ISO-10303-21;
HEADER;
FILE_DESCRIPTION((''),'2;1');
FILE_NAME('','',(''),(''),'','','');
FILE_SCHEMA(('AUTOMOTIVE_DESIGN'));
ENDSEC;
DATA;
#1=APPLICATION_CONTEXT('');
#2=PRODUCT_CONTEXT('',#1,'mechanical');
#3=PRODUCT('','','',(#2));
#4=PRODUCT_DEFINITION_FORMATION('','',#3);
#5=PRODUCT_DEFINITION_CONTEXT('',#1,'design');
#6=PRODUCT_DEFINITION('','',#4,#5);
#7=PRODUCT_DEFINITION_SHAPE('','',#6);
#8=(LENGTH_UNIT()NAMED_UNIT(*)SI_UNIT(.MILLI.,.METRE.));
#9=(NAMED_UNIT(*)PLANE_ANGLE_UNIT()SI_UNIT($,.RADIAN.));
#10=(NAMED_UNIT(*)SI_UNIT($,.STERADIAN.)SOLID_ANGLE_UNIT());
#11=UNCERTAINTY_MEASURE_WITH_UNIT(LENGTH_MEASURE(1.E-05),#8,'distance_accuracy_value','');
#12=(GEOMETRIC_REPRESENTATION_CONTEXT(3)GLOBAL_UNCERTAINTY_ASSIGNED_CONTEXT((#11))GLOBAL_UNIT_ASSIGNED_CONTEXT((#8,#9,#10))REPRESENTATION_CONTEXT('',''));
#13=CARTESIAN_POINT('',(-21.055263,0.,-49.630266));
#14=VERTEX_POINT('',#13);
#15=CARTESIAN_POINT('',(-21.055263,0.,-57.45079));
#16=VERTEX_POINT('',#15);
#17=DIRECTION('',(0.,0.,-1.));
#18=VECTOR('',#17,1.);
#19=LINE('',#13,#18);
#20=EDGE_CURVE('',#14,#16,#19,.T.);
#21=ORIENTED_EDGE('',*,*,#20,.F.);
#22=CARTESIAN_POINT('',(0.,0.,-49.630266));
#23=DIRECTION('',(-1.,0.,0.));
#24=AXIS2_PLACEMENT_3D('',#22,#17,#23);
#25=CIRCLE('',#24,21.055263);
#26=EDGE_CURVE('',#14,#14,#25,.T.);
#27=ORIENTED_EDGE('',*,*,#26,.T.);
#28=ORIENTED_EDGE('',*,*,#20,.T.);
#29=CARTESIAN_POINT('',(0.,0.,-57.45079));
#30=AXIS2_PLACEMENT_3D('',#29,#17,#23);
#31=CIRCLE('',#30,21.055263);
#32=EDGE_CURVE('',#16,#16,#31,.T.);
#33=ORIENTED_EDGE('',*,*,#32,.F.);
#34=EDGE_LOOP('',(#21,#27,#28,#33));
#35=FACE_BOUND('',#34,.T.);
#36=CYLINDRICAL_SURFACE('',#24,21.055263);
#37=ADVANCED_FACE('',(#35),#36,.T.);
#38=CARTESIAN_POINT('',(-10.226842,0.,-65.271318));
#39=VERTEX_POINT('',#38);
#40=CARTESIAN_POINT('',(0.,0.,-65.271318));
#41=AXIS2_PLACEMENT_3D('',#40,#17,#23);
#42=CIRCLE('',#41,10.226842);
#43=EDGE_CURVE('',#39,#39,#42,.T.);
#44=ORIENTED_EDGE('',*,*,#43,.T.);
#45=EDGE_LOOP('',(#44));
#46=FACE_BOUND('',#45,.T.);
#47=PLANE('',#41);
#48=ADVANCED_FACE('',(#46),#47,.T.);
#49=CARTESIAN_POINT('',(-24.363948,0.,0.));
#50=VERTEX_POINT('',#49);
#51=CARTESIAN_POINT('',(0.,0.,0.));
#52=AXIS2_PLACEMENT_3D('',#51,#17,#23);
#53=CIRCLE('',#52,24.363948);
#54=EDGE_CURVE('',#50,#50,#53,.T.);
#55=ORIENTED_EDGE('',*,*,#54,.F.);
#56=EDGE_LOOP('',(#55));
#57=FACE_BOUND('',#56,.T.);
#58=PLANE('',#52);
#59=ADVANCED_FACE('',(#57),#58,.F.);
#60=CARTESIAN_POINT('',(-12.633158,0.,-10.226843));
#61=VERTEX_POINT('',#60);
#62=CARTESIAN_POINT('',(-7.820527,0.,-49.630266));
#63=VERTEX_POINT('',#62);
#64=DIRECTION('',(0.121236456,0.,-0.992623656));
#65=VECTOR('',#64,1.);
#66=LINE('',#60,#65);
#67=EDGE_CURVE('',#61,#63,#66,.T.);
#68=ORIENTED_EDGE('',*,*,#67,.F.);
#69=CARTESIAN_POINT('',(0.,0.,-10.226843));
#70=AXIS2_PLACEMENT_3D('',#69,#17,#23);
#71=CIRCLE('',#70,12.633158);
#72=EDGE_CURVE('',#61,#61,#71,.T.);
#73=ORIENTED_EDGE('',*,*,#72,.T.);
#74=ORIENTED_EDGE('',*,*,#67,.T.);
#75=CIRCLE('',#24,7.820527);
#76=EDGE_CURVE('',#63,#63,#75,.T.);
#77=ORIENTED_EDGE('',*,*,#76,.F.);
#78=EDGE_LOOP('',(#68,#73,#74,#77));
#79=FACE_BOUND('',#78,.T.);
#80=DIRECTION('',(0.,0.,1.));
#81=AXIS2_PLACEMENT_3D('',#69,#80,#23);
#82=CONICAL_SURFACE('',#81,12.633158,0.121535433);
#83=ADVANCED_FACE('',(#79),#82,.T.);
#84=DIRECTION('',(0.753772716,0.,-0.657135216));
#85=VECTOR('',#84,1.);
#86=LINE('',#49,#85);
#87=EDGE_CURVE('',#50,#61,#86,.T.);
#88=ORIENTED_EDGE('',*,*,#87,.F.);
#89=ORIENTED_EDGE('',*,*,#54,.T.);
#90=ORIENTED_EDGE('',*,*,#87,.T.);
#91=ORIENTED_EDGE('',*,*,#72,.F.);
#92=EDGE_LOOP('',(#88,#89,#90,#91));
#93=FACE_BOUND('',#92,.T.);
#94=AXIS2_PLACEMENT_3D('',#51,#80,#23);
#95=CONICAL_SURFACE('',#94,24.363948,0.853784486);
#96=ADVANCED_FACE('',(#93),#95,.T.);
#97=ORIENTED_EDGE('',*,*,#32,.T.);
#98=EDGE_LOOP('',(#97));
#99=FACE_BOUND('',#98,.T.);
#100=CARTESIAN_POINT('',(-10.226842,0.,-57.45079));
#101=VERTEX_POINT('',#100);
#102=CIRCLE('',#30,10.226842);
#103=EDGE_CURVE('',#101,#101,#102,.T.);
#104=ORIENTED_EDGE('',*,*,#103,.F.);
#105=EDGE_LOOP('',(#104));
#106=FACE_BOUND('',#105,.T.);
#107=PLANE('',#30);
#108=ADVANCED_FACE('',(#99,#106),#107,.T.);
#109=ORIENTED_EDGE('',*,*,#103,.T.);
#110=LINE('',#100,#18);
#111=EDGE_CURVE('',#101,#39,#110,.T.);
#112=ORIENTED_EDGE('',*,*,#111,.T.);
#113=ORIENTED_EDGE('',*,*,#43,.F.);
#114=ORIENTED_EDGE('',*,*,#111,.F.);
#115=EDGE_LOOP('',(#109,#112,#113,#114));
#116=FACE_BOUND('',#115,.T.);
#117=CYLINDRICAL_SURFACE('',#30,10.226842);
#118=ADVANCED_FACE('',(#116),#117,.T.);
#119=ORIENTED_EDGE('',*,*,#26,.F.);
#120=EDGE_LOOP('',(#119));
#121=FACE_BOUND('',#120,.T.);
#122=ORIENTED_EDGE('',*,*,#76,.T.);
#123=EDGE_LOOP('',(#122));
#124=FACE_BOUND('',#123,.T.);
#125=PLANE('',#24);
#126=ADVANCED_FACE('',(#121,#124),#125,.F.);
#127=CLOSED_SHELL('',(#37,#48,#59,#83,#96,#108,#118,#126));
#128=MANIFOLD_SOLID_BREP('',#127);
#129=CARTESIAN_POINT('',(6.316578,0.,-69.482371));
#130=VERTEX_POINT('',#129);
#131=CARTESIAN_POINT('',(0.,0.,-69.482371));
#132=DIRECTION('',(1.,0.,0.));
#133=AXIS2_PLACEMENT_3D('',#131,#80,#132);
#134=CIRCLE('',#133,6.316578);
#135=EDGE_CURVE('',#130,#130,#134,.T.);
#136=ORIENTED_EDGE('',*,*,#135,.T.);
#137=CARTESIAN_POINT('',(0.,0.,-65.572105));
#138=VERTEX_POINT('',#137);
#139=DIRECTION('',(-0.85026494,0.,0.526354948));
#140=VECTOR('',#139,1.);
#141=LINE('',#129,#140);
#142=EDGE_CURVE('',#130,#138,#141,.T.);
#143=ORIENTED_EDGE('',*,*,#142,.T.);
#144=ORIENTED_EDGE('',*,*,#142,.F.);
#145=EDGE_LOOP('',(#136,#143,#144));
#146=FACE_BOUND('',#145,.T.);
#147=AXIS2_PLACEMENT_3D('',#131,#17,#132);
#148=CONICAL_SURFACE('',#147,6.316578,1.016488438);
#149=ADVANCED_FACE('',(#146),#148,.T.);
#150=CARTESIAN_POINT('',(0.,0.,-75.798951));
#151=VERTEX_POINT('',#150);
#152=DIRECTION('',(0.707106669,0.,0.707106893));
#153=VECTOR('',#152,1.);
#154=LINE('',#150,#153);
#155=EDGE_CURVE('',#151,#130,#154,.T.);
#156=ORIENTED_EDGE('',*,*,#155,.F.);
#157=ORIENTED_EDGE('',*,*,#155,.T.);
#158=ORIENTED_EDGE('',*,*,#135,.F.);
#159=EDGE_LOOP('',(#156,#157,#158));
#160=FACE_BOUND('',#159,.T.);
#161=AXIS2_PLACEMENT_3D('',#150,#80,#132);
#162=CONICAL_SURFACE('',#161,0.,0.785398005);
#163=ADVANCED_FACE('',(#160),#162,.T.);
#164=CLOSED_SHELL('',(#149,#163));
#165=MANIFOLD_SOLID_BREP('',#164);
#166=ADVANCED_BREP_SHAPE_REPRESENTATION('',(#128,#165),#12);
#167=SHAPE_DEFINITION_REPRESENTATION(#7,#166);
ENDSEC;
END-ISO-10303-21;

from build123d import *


with BuildPart() as f1:
    # F0 (on Front) → F1 (revolve)
    with BuildSketch(Plane.XZ):
        Polygon((0, -65.271318), (0, 0), (-24.363948, 0), (-12.633158, -10.226843), (-7.820527, -49.630266), (-21.055263, -49.630266), (-21.055263, -57.45079), (-10.226842, -57.45079), (-10.226842, -65.271318), align=None)
    revolve(axis=Axis((0, 0, -32.635659), (0, 0, -1)))


with BuildPart() as f3:
    # F2 (on Front) → F3 (revolve)
    with BuildSketch(Plane.XZ):
        Polygon((6.316578, -69.482371), (0, -65.572105), (0, -75.798951), align=None)
    revolve(axis=Axis((0, 0, -70.685528), (0, 0, 1)))


solid = Compound([f1.part, f3.part])
